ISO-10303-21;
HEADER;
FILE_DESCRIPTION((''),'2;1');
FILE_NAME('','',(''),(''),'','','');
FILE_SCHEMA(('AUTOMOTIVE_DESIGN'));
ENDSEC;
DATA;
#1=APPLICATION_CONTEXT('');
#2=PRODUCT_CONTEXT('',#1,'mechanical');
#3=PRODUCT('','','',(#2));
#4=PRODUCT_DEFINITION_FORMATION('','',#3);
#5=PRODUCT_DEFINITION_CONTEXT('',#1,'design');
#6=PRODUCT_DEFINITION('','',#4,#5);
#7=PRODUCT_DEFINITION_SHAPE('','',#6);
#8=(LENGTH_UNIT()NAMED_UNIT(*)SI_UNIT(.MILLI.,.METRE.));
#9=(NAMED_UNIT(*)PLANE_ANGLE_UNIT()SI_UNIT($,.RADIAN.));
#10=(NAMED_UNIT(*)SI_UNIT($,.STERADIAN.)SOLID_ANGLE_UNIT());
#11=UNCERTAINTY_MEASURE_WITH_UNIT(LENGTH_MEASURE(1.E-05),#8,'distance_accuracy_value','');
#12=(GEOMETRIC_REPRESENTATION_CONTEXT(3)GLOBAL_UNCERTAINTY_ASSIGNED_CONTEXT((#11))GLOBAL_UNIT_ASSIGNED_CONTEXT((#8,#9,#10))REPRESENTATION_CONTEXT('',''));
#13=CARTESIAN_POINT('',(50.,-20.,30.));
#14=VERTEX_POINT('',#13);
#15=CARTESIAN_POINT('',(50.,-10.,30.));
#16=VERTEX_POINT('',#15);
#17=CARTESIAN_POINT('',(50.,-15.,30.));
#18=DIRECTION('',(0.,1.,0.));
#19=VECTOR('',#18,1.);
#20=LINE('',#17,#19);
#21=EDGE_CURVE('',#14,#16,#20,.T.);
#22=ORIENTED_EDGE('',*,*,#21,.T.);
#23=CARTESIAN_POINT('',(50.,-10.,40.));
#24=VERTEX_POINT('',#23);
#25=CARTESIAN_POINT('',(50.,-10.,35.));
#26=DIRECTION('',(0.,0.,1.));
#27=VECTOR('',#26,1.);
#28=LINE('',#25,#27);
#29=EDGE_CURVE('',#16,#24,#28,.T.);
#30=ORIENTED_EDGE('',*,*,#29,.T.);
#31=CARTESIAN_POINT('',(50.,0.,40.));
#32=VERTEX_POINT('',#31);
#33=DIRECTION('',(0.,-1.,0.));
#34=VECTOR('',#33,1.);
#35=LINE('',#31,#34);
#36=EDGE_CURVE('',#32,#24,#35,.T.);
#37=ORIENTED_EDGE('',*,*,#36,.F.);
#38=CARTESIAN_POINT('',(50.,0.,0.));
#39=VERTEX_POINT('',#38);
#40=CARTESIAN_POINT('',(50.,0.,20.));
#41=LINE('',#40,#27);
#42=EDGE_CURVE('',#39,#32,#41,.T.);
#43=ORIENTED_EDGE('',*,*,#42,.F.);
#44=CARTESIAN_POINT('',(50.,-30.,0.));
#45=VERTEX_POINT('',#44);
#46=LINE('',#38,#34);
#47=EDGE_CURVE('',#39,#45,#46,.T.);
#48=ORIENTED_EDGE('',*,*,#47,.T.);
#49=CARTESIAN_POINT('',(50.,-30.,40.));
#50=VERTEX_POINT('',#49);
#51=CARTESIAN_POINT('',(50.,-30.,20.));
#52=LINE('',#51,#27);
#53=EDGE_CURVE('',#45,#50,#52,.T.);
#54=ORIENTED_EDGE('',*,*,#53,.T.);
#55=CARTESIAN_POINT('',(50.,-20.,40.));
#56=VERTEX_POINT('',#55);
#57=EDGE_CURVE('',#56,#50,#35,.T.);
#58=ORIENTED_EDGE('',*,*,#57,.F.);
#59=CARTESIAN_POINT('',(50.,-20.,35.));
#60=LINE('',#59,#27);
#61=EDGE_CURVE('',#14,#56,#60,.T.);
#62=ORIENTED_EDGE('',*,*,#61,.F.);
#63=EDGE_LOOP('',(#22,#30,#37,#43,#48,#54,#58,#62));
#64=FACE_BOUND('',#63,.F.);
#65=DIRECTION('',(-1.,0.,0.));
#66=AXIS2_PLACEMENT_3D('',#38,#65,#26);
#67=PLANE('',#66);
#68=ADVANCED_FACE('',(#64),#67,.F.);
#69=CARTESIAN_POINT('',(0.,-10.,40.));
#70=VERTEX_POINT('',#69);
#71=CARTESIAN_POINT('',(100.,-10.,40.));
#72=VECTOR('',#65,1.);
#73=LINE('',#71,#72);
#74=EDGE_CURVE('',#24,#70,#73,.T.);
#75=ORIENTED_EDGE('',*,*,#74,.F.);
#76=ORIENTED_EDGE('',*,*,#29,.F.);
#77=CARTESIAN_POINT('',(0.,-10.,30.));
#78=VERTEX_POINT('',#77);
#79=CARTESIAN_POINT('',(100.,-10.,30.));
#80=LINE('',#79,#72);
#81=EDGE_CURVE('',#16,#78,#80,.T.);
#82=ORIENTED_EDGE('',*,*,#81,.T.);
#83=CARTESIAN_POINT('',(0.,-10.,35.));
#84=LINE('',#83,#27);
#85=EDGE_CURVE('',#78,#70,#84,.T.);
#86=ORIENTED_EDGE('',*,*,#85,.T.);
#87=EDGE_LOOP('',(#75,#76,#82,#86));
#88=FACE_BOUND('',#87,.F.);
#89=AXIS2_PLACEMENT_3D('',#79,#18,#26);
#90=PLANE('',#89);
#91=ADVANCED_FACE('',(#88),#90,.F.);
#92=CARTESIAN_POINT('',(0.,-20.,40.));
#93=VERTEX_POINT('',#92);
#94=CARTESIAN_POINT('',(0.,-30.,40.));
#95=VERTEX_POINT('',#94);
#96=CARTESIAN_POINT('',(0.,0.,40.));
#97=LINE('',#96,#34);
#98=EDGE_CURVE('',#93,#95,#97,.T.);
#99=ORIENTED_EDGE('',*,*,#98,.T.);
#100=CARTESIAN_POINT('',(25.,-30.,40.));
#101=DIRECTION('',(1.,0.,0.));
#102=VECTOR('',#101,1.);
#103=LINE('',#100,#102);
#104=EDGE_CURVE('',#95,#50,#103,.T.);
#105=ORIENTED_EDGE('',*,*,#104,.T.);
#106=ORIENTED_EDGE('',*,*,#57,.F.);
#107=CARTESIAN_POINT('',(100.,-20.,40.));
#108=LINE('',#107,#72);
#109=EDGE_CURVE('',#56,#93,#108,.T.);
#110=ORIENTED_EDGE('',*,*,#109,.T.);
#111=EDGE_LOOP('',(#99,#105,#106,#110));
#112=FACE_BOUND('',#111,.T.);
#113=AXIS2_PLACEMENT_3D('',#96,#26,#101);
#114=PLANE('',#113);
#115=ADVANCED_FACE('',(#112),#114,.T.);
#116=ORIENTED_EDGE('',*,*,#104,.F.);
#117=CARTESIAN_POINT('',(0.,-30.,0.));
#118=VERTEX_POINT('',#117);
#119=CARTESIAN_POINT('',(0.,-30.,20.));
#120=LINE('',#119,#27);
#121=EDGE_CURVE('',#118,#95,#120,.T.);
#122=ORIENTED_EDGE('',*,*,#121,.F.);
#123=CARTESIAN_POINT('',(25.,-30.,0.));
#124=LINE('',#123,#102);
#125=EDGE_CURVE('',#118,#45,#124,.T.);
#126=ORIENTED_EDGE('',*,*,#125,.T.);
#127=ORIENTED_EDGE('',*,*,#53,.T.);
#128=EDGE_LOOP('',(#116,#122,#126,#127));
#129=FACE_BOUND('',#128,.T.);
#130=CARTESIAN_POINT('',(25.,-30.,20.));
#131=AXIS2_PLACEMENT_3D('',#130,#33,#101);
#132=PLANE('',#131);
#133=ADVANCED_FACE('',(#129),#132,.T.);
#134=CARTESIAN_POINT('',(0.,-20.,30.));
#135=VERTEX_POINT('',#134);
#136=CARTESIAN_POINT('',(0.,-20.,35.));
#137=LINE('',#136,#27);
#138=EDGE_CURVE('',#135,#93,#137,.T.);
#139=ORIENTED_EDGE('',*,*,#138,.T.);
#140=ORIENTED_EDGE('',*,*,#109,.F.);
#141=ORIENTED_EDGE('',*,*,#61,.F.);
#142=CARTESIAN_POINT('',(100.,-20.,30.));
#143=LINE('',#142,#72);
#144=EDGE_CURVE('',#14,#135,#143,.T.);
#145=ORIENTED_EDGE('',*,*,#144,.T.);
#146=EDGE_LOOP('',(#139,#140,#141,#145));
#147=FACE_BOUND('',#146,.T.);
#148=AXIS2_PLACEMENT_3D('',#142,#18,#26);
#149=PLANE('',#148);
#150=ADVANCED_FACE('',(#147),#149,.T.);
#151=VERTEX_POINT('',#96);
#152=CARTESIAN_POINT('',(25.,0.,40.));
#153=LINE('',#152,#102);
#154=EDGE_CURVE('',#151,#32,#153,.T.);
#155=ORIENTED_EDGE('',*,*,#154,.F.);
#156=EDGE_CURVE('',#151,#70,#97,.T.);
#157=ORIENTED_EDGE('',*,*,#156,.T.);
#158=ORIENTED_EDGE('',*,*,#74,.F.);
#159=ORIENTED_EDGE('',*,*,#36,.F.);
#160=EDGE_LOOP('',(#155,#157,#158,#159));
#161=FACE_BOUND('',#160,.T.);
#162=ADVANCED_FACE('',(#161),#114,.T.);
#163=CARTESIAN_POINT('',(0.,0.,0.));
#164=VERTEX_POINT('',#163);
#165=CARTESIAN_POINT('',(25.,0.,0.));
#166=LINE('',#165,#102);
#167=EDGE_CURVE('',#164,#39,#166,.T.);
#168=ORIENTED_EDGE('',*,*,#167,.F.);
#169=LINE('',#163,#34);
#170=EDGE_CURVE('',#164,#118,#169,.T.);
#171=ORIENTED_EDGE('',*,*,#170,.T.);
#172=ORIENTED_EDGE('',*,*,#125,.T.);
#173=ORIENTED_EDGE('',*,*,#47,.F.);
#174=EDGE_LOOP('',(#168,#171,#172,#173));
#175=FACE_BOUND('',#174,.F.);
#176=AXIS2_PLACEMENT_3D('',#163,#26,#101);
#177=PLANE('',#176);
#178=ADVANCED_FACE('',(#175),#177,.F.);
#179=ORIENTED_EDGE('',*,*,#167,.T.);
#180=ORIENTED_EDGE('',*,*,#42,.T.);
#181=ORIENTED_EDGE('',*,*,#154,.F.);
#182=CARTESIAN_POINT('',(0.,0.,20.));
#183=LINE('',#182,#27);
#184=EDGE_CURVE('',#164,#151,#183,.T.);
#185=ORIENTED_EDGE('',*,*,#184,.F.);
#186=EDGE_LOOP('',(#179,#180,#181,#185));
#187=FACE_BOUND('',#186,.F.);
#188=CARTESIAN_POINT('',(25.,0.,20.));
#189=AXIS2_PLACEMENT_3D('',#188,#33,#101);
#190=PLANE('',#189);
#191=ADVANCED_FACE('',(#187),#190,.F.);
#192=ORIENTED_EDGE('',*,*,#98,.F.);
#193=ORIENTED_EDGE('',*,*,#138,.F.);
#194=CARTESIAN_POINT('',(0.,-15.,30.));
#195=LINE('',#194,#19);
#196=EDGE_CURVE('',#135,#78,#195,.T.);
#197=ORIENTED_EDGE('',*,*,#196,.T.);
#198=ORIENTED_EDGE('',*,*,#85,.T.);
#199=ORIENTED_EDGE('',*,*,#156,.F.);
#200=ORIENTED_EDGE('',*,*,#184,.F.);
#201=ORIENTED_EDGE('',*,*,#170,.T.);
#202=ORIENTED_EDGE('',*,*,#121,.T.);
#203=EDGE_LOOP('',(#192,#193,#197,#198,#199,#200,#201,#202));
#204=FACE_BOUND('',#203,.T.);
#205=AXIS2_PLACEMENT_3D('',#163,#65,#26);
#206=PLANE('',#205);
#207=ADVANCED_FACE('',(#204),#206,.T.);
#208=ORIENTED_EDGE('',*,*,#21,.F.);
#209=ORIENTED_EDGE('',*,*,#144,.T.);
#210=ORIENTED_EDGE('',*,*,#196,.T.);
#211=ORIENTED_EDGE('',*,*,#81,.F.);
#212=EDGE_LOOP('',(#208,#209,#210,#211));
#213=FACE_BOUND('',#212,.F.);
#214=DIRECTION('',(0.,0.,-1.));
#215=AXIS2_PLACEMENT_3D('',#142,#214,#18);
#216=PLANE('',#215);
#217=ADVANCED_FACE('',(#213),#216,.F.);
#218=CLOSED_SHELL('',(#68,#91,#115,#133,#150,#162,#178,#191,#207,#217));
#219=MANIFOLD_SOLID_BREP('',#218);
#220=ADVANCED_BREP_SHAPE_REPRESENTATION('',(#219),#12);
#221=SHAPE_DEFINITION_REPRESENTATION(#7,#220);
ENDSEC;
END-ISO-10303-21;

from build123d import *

# Parameters (mm, degrees)
F0_W      = 50
F0_H      = 40
F1_DEPTH  = 30
F2_W      = 10
F2_H      = 10
F3_DEPTH  = 50
F3_FACE_W = 10
F3_FACE_H = 10
F4_DEPTH  = 100


with BuildPart() as f1:
    # F0 (on Front) → F1 (new body)
    with BuildSketch(Plane.XZ):
        with Locations((25, 20)):
            Rectangle(F0_W, F0_H)
    extrude(amount=F1_DEPTH)

    # F2 (on face) → F3 (join)
    with BuildSketch(Plane.YZ.offset(50)):
        with Locations((-15, 35)):
            Rectangle(F2_W, F2_H)
    extrude(amount=F3_DEPTH)

    # F3_face (on face) → F4 (cut)
    with BuildSketch(Plane(origin=(100, -15, 35), x_dir=(0, 1, 0), z_dir=(1, 0, 0))):
        Rectangle(F3_FACE_W, F3_FACE_H)
    extrude(amount=-F4_DEPTH, mode=Mode.SUBTRACT)


solid = f1.part
